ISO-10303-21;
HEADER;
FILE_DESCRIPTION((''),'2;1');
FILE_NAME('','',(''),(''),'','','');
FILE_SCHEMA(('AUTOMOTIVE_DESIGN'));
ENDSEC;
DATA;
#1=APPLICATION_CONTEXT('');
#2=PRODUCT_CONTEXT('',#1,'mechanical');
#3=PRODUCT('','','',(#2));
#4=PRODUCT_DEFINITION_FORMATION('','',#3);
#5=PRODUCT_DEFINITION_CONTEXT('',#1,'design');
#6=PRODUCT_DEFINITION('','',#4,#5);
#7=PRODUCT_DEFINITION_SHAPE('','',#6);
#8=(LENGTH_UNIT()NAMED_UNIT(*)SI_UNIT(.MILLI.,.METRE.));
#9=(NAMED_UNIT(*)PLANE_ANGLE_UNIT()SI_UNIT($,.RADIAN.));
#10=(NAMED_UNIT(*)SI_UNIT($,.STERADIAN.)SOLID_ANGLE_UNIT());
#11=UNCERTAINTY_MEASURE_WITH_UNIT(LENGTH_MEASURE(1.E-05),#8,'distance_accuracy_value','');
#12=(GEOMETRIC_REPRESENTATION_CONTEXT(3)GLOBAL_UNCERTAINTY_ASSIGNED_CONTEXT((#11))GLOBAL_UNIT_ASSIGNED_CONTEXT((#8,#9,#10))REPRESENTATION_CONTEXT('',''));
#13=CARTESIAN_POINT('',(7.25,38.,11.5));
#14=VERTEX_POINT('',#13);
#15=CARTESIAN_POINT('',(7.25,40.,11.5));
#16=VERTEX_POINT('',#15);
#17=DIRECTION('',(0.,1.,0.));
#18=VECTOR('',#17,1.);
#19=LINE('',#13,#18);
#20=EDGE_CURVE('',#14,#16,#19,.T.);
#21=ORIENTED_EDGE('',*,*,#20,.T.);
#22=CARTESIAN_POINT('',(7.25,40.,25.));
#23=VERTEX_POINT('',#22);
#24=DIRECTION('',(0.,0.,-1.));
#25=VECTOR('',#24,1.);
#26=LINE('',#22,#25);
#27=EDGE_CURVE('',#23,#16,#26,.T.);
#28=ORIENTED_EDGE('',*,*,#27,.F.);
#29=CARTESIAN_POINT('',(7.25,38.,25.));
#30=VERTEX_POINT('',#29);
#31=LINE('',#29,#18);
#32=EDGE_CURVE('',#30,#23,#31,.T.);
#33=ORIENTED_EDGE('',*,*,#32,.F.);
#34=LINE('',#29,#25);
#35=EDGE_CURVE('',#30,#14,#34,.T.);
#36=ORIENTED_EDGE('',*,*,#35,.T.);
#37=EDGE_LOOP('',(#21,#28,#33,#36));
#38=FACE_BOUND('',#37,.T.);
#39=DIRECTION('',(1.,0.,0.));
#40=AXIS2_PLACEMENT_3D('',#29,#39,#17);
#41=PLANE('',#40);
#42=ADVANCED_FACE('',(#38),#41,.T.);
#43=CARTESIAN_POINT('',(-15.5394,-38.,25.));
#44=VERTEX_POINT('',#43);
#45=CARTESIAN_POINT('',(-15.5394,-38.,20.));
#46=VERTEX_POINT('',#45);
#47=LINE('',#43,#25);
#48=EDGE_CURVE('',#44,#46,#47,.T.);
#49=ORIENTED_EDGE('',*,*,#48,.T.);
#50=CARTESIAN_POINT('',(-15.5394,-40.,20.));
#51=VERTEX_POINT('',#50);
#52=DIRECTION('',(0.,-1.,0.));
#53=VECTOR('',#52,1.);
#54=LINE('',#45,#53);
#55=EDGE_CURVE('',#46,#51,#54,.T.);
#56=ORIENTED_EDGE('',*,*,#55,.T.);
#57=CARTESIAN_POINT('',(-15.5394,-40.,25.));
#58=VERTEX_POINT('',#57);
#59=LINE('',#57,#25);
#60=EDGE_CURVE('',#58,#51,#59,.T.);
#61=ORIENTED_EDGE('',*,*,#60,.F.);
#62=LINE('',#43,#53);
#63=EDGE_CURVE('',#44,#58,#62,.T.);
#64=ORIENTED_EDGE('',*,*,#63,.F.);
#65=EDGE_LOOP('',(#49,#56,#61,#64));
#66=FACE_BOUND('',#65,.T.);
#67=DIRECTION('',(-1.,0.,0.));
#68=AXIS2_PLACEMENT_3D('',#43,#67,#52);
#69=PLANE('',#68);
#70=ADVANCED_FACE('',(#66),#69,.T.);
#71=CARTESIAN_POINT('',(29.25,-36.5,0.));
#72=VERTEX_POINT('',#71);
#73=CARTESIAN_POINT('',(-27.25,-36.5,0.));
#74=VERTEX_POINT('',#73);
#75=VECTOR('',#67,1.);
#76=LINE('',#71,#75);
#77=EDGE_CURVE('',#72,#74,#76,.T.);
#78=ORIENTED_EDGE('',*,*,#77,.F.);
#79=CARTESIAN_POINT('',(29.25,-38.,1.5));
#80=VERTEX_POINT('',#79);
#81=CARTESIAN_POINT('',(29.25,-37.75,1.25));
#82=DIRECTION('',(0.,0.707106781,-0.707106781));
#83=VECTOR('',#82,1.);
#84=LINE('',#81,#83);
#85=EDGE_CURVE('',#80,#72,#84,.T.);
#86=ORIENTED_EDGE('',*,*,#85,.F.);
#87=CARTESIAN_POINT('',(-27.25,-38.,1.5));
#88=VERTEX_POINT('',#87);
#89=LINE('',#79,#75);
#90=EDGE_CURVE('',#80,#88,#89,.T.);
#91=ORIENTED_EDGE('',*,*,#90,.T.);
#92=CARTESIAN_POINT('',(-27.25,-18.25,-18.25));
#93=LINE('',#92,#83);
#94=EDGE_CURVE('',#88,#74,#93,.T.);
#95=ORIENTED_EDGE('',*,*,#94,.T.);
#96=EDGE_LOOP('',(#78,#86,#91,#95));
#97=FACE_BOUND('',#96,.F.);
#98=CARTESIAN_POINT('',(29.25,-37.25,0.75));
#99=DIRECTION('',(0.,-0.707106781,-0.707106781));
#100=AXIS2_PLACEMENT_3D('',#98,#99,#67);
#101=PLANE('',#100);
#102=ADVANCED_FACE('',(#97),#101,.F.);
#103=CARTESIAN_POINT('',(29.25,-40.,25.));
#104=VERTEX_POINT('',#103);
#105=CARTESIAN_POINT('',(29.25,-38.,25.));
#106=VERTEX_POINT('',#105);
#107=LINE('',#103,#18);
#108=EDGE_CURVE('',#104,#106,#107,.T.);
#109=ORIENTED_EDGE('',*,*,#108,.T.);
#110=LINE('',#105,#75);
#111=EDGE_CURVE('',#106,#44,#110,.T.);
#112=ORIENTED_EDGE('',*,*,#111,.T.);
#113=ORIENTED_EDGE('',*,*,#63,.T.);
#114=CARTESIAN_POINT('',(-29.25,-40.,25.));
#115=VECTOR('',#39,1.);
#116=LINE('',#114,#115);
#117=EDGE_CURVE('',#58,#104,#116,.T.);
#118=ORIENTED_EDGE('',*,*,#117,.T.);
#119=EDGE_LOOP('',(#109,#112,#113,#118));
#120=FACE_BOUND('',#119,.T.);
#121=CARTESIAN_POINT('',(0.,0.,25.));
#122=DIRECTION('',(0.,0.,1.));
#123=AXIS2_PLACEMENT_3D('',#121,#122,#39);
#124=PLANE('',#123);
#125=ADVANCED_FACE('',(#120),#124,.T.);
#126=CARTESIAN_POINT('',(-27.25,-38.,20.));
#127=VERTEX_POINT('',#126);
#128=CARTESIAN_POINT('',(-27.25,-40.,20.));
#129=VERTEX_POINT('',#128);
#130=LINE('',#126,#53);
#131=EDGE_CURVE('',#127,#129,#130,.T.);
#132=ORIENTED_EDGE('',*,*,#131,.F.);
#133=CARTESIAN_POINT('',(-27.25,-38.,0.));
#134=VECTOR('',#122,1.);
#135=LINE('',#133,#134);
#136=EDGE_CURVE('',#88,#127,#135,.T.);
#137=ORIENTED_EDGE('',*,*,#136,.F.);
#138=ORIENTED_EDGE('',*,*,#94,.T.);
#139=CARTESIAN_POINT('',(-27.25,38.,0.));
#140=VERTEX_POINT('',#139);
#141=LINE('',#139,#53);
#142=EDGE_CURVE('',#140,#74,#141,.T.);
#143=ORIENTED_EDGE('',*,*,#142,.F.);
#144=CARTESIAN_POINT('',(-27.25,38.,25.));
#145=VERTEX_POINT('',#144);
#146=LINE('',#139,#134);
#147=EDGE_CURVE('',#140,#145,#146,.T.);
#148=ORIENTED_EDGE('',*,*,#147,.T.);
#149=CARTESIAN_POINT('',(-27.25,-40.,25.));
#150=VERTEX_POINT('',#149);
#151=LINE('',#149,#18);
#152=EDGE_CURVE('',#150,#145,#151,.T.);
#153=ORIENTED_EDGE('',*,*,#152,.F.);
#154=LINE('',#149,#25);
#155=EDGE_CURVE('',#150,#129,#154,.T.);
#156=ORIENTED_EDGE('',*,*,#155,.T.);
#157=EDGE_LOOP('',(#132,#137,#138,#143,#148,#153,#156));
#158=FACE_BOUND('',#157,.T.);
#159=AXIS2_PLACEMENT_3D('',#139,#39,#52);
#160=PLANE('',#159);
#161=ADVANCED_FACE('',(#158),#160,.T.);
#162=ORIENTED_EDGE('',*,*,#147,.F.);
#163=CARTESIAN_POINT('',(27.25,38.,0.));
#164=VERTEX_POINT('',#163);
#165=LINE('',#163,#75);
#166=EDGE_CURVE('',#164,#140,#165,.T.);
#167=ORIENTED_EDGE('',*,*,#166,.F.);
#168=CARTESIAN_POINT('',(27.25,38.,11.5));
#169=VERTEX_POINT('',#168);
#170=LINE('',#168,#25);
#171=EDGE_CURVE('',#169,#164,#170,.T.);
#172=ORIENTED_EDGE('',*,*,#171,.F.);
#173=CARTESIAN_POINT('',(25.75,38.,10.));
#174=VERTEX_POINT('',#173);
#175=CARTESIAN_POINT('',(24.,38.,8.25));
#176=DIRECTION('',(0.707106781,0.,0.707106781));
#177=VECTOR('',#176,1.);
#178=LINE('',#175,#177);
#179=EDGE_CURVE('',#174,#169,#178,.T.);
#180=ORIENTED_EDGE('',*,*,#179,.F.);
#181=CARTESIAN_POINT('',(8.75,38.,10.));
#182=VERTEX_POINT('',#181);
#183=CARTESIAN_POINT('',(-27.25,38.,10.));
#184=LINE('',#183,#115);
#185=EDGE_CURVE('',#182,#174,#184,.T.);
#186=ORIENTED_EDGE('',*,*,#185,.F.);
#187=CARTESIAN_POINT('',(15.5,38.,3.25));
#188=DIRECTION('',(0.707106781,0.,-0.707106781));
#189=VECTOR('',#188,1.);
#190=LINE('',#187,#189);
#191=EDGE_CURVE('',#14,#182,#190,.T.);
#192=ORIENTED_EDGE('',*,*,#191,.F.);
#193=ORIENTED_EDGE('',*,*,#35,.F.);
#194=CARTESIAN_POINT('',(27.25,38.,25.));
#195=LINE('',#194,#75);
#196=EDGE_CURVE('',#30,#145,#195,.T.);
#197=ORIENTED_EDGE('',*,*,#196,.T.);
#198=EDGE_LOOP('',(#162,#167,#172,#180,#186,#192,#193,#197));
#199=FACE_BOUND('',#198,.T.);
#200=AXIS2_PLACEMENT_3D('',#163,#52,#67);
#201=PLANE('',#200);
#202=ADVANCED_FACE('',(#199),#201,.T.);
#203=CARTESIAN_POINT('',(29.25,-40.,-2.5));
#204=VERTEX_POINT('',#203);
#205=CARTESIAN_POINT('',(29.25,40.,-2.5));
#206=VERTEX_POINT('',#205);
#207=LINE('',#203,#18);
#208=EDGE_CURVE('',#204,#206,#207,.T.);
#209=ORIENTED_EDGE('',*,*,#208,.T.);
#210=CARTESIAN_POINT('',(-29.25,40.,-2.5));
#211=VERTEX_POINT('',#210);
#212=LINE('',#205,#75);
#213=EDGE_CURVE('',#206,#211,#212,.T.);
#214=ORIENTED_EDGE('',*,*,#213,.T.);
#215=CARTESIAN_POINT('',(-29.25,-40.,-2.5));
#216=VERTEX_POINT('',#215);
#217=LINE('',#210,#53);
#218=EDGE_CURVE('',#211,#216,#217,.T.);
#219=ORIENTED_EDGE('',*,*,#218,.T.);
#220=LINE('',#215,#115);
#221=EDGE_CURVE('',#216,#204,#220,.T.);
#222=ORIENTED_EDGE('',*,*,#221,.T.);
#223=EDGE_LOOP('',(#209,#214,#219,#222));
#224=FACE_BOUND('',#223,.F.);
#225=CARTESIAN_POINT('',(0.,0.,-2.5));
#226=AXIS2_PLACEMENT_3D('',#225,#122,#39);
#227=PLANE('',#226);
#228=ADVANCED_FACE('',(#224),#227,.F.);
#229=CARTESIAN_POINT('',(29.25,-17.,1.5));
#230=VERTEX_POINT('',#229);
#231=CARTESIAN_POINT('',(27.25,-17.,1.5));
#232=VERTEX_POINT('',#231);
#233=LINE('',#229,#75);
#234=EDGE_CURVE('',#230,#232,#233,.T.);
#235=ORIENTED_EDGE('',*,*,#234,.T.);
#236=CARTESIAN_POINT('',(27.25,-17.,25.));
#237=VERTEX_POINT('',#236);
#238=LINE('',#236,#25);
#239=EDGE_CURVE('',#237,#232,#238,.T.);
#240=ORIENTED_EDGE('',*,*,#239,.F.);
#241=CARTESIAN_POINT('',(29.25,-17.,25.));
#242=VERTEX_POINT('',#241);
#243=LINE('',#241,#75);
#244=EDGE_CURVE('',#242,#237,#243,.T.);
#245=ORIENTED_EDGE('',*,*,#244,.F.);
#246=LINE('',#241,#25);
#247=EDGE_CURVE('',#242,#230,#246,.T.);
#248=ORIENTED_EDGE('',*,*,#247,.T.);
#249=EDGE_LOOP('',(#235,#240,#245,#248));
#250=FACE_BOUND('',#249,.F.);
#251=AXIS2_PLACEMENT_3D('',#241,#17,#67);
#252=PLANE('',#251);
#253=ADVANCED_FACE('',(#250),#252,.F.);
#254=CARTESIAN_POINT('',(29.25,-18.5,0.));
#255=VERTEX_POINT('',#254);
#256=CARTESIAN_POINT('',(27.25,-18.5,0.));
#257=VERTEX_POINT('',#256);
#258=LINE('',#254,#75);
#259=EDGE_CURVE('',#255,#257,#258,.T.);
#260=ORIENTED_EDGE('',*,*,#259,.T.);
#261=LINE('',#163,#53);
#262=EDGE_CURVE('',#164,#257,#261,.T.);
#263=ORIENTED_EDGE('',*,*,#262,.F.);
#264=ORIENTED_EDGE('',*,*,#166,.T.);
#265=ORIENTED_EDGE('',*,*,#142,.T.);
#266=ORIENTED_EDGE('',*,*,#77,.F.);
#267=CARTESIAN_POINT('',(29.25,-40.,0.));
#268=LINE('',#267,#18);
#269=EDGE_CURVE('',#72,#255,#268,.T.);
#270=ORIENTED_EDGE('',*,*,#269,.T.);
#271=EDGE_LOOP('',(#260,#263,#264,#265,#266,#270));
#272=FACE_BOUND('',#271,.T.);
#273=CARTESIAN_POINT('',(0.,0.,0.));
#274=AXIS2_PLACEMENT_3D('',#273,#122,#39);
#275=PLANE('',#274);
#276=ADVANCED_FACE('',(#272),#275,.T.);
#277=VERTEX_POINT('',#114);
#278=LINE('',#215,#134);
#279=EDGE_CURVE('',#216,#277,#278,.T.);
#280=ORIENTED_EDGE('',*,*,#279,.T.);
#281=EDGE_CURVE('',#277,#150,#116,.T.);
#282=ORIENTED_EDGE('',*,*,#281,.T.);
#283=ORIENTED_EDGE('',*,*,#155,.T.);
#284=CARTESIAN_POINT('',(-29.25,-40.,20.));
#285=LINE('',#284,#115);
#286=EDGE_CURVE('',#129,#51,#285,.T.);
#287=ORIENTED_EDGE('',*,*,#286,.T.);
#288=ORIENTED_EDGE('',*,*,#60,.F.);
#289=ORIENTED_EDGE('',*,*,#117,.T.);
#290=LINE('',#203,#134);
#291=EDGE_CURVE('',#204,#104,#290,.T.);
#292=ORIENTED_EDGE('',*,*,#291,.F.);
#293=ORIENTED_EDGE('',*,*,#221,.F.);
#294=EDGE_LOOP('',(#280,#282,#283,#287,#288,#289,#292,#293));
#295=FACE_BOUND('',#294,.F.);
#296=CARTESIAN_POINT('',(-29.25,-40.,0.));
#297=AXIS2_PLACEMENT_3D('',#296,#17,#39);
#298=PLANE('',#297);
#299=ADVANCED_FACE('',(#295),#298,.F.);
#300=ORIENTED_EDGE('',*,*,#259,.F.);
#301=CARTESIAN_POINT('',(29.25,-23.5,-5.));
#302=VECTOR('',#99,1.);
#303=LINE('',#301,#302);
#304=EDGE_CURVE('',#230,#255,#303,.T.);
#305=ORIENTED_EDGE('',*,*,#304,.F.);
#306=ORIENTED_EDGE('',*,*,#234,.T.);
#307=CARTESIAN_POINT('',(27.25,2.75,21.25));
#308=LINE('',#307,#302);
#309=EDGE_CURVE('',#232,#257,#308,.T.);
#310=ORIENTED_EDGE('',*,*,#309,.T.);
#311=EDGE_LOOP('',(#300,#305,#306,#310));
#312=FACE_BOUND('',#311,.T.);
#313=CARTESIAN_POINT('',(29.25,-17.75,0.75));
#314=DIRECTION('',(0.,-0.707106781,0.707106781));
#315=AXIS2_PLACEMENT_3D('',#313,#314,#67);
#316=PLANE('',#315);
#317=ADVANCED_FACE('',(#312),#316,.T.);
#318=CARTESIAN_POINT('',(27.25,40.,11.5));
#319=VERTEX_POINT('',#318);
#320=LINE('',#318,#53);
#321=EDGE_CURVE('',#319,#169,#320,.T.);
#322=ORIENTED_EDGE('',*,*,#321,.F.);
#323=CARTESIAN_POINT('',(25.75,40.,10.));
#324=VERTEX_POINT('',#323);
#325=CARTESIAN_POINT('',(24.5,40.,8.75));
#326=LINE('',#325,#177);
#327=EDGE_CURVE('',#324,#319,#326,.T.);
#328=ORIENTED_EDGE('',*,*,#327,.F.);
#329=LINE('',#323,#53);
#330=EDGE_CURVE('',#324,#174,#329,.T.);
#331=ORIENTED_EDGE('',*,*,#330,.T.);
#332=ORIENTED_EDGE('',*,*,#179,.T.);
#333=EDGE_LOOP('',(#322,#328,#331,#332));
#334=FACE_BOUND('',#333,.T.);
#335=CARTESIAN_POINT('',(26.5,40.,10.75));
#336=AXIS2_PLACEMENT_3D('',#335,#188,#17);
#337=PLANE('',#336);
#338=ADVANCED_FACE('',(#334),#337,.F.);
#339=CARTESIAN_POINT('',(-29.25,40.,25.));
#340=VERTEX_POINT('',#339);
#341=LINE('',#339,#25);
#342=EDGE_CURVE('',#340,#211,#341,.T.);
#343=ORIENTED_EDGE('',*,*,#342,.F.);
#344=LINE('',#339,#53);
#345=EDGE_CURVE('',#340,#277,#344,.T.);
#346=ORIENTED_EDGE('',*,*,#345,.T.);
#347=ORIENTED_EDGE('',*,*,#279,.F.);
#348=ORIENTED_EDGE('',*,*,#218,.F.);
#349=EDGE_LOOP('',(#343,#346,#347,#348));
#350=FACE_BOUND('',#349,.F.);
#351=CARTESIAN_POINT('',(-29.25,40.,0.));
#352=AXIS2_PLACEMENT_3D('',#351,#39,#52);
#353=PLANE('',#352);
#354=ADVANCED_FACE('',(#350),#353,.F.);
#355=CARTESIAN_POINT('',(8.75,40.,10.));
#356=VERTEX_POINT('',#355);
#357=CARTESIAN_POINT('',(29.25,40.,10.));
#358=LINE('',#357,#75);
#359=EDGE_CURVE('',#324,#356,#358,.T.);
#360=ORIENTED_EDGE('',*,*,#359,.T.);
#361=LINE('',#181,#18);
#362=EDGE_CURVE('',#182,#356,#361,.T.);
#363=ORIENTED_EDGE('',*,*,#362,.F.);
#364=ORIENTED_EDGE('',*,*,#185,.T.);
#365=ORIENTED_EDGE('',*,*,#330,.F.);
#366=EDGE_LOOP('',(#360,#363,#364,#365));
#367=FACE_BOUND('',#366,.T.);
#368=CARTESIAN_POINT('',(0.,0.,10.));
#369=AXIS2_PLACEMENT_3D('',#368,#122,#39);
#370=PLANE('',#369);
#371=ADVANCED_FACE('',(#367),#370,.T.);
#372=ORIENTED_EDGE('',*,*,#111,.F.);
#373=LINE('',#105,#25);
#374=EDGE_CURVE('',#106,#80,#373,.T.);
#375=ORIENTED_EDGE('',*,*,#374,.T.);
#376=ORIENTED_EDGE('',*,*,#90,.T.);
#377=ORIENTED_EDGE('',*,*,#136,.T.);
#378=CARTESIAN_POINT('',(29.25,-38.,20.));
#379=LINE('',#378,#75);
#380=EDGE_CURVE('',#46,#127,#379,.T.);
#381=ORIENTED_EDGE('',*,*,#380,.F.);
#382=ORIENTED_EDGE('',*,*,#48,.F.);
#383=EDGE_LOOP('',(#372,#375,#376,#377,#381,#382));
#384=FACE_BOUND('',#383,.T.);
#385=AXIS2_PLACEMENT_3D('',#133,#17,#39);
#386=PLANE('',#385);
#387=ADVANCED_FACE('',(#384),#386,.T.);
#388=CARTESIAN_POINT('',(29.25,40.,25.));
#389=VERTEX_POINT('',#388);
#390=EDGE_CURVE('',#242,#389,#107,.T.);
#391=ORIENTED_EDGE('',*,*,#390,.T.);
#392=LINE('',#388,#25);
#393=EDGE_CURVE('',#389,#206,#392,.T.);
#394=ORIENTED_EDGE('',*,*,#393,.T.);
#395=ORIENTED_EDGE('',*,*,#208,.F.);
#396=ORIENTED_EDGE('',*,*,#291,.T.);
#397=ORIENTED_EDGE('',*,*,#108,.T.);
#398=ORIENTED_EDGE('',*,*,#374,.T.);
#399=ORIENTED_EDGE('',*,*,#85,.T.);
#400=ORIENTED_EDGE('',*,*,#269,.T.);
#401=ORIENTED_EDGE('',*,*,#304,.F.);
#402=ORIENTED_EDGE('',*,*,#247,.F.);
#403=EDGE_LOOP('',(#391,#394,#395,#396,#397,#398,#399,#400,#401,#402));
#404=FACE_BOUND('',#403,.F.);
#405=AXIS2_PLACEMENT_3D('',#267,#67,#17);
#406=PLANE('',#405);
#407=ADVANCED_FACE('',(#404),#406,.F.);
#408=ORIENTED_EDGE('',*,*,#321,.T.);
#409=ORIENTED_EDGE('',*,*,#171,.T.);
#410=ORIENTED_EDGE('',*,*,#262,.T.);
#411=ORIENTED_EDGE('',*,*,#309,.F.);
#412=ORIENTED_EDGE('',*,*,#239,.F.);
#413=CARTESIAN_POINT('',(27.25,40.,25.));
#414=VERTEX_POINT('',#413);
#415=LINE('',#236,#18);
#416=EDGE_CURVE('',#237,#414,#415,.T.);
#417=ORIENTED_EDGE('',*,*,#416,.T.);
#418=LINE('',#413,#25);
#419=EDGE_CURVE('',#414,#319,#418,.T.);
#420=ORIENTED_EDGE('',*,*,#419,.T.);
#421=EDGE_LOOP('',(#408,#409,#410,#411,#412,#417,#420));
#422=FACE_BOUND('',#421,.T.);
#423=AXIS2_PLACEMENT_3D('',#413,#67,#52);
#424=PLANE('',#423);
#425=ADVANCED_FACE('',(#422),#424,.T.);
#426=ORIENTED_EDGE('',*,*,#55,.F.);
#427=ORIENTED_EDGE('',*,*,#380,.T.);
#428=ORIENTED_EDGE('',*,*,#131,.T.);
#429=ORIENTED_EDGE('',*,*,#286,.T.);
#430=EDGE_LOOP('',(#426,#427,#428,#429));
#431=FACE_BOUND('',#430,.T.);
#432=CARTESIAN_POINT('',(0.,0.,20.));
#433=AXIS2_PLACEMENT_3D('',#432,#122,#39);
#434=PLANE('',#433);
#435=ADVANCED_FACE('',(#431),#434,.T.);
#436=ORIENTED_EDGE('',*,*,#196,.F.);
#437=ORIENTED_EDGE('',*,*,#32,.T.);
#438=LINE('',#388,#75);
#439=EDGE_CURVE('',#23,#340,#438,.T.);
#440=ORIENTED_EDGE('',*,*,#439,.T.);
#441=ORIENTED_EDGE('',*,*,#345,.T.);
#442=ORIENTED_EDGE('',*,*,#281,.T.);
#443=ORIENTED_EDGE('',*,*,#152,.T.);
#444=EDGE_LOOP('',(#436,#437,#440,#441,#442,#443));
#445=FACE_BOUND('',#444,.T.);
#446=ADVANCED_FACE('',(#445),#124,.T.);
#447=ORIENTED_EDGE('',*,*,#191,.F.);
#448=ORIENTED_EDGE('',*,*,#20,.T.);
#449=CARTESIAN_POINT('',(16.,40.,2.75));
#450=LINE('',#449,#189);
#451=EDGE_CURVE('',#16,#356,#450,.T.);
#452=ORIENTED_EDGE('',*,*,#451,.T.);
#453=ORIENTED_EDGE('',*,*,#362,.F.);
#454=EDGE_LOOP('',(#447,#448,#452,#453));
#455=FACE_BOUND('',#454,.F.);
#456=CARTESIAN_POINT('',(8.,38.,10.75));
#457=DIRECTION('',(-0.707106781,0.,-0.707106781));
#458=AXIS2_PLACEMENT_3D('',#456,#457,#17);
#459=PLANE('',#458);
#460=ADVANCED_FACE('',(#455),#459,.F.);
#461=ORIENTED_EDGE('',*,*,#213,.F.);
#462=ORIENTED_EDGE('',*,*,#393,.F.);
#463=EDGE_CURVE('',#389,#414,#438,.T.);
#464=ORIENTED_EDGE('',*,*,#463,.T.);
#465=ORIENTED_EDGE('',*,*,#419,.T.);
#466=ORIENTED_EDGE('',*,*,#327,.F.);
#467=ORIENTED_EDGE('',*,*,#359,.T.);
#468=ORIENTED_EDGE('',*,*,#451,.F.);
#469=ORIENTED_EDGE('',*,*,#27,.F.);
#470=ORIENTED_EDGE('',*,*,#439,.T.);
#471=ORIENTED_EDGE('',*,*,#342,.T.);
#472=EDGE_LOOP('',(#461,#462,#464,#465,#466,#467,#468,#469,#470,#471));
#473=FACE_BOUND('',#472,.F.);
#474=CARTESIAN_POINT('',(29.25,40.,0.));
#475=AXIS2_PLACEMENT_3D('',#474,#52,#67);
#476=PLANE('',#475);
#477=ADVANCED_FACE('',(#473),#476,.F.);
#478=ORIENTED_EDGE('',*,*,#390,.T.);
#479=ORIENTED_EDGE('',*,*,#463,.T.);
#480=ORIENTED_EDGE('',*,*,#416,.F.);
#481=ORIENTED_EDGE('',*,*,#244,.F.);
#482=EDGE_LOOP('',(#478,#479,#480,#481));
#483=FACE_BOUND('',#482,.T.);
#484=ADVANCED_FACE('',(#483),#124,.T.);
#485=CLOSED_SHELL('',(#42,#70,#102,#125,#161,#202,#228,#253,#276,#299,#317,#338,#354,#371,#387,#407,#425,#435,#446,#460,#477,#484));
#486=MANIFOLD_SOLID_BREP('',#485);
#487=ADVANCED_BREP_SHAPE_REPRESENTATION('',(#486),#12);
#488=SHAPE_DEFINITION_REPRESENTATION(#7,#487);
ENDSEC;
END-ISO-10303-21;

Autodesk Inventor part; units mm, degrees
ref_plane "YZ Plane" through (0, 0, 0) normal (1, 0, 0) x (0, 1, 0)
ref_plane "XZ Plane" through (0, 0, 0) normal (0, 1, 0) x (-1, 0, 0)
ref_plane "XY Plane" through (0, 0, 0) normal (0, 0, 1) x (1, 0, 0)
sketch "Skizze1" plane through (0, 0, 0) normal (0, 0, 1) x (1, 0, 0)
  line L0 (-27.25, -38) -> (27.25, -38)
  line L1 (27.25, -38) -> (27.25, 38)
  line L2 (27.25, 38) -> (-27.25, 38)
  line L3 (-27.25, 38) -> (-27.25, -38)
  line L4 (-27.25, -38) -> (27.25, 38) construction
  line L5 (27.25, -38) -> (-27.25, 38) construction
  line L6 (-29.25, -40) -> (29.25, -40)
  line L7 (29.25, -40) -> (29.25, 40)
  line L8 (29.25, 40) -> (-29.25, 40)
  line L9 (-29.25, 40) -> (-29.25, -40)
  line L10 (-29.25, -40) -> (29.25, 40) construction
  line L11 (29.25, -40) -> (-29.25, 40) construction
  point P0 (0, 0)
  dimension "d0" = 54.5
  dimension "d1" = 76
  dimension "d2" = 2
  dimension "d3" = 2
extrude "Extrusion1" add sketch "Skizze1" against normal blind 2.5 contours L3 L2 L1 L0 | L9 L8 L7 L6
extrude "Extrusion2" add sketch "Skizze1" along normal blind 25
sketch "Skizze2" plane through (0, 0, 25) normal (0, 0, 1) x (1, 0, 0)
  line L0 (27.25, -38) -> (-27.25, -38) projected
  line L1 (27.25, 38) -> (27.25, -38) projected
  line L2 (29.25, -40) -> (29.25, 40) projected
  line L3 (29.25, 40) -> (-29.25, 40) projected
  line L4 (-27.25, 38) -> (27.25, 38) projected
  line L5 (-29.25, -40) -> (29.25, -40) projected
  line L6 (27.25, -38) -> (27.25, 38) projected
  line L7 (29.25, 40) -> (29.25, -40) projected
  line L8 (27.25, -38) -> (29.25, -38)
  line L9 (29.25, -38) -> (29.25, -17)
  line L10 (29.25, -17) -> (27.25, -17)
  line L11 (27.25, -17) -> (27.25, -38)
  point P0 (0, 0)
  dimension "d8" = 21
extrude "Extrusion3" cut sketch "Skizze2" against normal up to surface (25 mm away)
sketch "Skizze3" plane through (0, 0, 25) normal (0, 0, 1) x (1, 0, 0)
  line L0 (-27.25, 38) -> (27.25, 38) projected
  line L1 (29.25, 40) -> (-29.25, 40) projected
  line L2 (27.25, 38) -> (27.25, -17) projected
  line L3 (27.25, 38) -> (7.25, 38)
  line L4 (7.25, 38) -> (7.25, 40)
  line L5 (7.25, 40) -> (27.25, 40)
  line L6 (27.25, 40) -> (27.25, 38)
  point P0 (0, 0)
  dimension "d11" = 20
extrude "Extrusion4" cut sketch "Skizze3" against normal blind 15
chamfer "Fase1" distance 1.5 angle 45 4 edges at (28.25, -17, 0) (1, -38, 0) (7.25, 39, 10) (27.25, 39, 10)
sketch "Skizze4" plane through (0, 0, 25) normal (0, 0, 1) x (1, 0, 0)
  line L0 (-27.25, -38) -> (-27.25, 38) projected
  line L1 (29.25, -38) -> (-27.25, -38) projected
  line L2 (-29.25, -40) -> (29.25, -40) projected
  line L3 (-27.25, -38) -> (29.25, -38) projected
  line L4 (-27.25, -38) -> (-27.25, -40)
  line L5 (29.25, -40) -> (-29.25, -40) projected
  line L6 (-27.25, -40) -> (-15.5394, -40)
  line L7 (-15.5394, -38) -> (-15.5394, -40)
  line L8 (-15.5394, -38) -> (-27.25, -38)
  point P0 (0, 0)
  dimension "d17" = 11.7106
extrude "Extrusion5" cut sketch "Skizze4" against normal blind 5
equation "\"d3\" = d2"
properties part number "housing-lvl-bottom" material "ABS-Kunststoff"
